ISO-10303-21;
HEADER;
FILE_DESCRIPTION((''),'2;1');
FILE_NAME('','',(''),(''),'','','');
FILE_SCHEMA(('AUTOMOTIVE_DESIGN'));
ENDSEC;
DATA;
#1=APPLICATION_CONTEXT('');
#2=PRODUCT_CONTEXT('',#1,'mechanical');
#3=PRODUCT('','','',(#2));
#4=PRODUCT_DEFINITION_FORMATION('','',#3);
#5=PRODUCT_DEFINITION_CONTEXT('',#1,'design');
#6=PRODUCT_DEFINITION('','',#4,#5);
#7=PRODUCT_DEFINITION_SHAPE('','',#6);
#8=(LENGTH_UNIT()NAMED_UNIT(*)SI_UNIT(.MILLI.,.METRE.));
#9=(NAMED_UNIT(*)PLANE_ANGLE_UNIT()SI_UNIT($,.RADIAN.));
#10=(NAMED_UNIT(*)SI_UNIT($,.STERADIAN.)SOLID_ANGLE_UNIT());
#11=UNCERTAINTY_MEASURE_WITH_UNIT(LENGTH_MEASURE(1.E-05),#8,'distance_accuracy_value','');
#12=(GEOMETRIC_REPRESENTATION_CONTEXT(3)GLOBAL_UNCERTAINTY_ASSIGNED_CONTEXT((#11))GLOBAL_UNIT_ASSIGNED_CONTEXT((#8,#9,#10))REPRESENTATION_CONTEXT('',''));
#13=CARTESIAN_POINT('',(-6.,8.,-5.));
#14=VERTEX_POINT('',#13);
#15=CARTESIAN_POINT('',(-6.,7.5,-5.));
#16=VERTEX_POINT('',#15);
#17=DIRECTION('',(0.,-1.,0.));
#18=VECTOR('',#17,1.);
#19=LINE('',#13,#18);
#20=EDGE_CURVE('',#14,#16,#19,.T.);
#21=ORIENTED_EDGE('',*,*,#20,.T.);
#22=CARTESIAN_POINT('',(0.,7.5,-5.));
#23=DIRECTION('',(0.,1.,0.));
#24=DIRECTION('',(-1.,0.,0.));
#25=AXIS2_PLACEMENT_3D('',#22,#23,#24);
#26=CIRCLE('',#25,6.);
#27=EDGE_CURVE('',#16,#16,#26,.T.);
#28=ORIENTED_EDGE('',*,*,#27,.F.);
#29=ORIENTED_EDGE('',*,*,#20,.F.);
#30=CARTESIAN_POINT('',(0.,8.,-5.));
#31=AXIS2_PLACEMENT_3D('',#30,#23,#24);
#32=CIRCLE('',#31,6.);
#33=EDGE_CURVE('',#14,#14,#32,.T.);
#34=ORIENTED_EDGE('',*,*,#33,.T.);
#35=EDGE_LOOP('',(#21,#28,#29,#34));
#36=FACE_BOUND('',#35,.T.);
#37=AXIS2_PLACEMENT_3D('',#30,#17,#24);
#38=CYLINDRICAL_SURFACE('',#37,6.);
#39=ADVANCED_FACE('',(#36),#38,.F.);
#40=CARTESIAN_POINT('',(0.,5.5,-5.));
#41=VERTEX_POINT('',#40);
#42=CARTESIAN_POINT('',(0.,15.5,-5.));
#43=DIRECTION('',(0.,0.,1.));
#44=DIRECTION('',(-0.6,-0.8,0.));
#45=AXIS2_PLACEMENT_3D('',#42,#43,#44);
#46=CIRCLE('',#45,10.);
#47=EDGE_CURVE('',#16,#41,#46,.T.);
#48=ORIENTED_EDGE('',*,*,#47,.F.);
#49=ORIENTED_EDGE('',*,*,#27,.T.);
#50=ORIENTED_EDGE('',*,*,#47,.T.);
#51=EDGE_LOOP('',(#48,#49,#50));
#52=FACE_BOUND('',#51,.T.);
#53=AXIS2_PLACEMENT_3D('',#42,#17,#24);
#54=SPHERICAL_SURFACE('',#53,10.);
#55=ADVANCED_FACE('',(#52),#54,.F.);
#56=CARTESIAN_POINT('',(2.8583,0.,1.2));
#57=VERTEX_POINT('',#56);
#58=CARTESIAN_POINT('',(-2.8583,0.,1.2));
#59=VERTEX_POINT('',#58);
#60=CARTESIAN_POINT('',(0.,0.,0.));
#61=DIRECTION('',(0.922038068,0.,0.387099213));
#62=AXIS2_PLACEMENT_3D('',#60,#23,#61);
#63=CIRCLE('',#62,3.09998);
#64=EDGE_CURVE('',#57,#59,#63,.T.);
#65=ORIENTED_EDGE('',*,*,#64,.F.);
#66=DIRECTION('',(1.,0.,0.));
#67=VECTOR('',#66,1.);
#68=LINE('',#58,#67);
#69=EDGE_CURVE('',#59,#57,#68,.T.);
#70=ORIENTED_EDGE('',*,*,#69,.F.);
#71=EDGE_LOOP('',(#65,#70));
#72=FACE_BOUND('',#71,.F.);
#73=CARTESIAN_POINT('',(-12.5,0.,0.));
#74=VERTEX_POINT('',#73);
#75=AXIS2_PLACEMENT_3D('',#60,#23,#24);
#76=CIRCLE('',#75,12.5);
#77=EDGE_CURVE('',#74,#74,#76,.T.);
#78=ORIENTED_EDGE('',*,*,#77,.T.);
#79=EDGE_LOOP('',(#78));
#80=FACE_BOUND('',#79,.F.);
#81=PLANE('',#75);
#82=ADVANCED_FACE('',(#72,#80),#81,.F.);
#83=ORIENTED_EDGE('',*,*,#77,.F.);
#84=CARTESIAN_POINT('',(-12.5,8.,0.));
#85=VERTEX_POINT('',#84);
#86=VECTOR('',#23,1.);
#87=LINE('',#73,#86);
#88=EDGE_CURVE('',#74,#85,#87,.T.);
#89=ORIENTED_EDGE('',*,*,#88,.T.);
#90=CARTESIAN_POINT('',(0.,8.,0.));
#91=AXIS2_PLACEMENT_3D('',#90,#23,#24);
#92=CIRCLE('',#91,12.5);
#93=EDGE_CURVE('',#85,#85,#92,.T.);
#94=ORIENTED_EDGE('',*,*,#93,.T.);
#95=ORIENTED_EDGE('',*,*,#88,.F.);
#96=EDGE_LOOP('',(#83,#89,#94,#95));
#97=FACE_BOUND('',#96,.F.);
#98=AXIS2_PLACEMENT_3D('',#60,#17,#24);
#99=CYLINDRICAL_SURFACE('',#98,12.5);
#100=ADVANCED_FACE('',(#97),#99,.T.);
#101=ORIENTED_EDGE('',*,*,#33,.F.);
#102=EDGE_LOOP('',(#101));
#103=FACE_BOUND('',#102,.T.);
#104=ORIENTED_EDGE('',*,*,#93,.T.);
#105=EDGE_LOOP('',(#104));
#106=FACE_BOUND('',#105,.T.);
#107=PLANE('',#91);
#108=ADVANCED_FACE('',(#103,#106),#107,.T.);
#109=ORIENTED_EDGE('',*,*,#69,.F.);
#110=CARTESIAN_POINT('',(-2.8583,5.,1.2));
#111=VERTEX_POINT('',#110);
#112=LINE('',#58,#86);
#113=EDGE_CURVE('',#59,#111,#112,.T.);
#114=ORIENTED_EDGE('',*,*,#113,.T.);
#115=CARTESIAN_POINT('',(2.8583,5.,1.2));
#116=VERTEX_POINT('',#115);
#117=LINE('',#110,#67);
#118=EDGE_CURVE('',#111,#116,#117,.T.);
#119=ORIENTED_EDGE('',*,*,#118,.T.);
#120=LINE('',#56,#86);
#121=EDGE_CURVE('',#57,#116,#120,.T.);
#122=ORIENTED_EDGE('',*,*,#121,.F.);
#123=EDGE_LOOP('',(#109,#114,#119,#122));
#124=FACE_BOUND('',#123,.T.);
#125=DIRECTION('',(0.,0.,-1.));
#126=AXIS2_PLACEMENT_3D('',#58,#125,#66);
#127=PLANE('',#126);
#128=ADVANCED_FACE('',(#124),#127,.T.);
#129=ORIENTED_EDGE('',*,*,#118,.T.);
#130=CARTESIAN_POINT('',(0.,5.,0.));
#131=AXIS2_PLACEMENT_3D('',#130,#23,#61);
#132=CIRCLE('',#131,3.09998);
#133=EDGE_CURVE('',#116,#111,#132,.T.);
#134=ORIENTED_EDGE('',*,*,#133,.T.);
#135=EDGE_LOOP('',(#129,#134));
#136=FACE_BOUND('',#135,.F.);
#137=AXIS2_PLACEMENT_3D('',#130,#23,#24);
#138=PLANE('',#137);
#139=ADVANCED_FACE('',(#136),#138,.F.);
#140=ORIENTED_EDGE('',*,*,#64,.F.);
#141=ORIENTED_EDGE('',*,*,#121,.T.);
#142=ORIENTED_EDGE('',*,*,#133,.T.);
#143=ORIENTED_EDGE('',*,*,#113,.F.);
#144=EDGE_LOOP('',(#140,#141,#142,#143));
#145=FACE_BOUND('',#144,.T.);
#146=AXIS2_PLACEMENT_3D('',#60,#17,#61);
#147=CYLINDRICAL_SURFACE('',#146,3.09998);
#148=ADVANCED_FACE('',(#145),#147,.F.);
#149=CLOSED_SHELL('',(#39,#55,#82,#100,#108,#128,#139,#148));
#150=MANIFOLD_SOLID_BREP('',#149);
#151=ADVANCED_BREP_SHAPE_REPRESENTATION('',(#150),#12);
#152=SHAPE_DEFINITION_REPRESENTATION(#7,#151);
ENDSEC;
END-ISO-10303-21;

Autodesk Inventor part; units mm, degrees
ref_plane "YZ Plane" through (0, 0, 0) normal (1, 0, 0) x (0, 1, 0)
ref_plane "XZ Plane" through (0, 0, 0) normal (0, 1, 0) x (-1, 0, 0)
sketch "Sketch1" plane through (0, 0, 0) normal (0, 1, 0) x (-1, 0, 0)
  circle A0 centre (0, 0) radius 12.5
extrude "Extrusion2" add sketch "Sketch1" along normal blind 8
ref_plane "Work Plane1" through (0, 0, -5) normal (0, 0, 1) x (1, 0, 0)
sketch "Sketch2" plane through (0, 0, -5) normal (0, 0, 1) x (1, 0, 0)
  arc A0 (-6, 7.5) -> (0, 5.5) centre (0, 15.5) ccw
  line L0 (-6, 8) -> (-6, 7.5)
  line L1 (-6, 8) -> (0, 8)
  line L2 (0, 5.5) -> (0, 8)
  line L3 (0, 7.5) -> (0, 17.5)
revolve "Revolution1" cut sketch "Sketch2" angle 360 about axis through (0, 7.5, -5) along (0, 1, 0)
sketch "Sketch3" plane through (0, 0, 0) normal (0, 1, 0) x (-1, 0, 0)
  line L0 (2.8583, 1.2) -> (-2.8583, 1.2)
  arc A0 (-2.8583, 1.2) -> (2.8583, 1.2) centre (0, 0) ccw
extrude "Extrusion1" cut sketch "Sketch3" along normal blind 5
properties part number "Hopper Rotary" material "Nylon 6/6"
